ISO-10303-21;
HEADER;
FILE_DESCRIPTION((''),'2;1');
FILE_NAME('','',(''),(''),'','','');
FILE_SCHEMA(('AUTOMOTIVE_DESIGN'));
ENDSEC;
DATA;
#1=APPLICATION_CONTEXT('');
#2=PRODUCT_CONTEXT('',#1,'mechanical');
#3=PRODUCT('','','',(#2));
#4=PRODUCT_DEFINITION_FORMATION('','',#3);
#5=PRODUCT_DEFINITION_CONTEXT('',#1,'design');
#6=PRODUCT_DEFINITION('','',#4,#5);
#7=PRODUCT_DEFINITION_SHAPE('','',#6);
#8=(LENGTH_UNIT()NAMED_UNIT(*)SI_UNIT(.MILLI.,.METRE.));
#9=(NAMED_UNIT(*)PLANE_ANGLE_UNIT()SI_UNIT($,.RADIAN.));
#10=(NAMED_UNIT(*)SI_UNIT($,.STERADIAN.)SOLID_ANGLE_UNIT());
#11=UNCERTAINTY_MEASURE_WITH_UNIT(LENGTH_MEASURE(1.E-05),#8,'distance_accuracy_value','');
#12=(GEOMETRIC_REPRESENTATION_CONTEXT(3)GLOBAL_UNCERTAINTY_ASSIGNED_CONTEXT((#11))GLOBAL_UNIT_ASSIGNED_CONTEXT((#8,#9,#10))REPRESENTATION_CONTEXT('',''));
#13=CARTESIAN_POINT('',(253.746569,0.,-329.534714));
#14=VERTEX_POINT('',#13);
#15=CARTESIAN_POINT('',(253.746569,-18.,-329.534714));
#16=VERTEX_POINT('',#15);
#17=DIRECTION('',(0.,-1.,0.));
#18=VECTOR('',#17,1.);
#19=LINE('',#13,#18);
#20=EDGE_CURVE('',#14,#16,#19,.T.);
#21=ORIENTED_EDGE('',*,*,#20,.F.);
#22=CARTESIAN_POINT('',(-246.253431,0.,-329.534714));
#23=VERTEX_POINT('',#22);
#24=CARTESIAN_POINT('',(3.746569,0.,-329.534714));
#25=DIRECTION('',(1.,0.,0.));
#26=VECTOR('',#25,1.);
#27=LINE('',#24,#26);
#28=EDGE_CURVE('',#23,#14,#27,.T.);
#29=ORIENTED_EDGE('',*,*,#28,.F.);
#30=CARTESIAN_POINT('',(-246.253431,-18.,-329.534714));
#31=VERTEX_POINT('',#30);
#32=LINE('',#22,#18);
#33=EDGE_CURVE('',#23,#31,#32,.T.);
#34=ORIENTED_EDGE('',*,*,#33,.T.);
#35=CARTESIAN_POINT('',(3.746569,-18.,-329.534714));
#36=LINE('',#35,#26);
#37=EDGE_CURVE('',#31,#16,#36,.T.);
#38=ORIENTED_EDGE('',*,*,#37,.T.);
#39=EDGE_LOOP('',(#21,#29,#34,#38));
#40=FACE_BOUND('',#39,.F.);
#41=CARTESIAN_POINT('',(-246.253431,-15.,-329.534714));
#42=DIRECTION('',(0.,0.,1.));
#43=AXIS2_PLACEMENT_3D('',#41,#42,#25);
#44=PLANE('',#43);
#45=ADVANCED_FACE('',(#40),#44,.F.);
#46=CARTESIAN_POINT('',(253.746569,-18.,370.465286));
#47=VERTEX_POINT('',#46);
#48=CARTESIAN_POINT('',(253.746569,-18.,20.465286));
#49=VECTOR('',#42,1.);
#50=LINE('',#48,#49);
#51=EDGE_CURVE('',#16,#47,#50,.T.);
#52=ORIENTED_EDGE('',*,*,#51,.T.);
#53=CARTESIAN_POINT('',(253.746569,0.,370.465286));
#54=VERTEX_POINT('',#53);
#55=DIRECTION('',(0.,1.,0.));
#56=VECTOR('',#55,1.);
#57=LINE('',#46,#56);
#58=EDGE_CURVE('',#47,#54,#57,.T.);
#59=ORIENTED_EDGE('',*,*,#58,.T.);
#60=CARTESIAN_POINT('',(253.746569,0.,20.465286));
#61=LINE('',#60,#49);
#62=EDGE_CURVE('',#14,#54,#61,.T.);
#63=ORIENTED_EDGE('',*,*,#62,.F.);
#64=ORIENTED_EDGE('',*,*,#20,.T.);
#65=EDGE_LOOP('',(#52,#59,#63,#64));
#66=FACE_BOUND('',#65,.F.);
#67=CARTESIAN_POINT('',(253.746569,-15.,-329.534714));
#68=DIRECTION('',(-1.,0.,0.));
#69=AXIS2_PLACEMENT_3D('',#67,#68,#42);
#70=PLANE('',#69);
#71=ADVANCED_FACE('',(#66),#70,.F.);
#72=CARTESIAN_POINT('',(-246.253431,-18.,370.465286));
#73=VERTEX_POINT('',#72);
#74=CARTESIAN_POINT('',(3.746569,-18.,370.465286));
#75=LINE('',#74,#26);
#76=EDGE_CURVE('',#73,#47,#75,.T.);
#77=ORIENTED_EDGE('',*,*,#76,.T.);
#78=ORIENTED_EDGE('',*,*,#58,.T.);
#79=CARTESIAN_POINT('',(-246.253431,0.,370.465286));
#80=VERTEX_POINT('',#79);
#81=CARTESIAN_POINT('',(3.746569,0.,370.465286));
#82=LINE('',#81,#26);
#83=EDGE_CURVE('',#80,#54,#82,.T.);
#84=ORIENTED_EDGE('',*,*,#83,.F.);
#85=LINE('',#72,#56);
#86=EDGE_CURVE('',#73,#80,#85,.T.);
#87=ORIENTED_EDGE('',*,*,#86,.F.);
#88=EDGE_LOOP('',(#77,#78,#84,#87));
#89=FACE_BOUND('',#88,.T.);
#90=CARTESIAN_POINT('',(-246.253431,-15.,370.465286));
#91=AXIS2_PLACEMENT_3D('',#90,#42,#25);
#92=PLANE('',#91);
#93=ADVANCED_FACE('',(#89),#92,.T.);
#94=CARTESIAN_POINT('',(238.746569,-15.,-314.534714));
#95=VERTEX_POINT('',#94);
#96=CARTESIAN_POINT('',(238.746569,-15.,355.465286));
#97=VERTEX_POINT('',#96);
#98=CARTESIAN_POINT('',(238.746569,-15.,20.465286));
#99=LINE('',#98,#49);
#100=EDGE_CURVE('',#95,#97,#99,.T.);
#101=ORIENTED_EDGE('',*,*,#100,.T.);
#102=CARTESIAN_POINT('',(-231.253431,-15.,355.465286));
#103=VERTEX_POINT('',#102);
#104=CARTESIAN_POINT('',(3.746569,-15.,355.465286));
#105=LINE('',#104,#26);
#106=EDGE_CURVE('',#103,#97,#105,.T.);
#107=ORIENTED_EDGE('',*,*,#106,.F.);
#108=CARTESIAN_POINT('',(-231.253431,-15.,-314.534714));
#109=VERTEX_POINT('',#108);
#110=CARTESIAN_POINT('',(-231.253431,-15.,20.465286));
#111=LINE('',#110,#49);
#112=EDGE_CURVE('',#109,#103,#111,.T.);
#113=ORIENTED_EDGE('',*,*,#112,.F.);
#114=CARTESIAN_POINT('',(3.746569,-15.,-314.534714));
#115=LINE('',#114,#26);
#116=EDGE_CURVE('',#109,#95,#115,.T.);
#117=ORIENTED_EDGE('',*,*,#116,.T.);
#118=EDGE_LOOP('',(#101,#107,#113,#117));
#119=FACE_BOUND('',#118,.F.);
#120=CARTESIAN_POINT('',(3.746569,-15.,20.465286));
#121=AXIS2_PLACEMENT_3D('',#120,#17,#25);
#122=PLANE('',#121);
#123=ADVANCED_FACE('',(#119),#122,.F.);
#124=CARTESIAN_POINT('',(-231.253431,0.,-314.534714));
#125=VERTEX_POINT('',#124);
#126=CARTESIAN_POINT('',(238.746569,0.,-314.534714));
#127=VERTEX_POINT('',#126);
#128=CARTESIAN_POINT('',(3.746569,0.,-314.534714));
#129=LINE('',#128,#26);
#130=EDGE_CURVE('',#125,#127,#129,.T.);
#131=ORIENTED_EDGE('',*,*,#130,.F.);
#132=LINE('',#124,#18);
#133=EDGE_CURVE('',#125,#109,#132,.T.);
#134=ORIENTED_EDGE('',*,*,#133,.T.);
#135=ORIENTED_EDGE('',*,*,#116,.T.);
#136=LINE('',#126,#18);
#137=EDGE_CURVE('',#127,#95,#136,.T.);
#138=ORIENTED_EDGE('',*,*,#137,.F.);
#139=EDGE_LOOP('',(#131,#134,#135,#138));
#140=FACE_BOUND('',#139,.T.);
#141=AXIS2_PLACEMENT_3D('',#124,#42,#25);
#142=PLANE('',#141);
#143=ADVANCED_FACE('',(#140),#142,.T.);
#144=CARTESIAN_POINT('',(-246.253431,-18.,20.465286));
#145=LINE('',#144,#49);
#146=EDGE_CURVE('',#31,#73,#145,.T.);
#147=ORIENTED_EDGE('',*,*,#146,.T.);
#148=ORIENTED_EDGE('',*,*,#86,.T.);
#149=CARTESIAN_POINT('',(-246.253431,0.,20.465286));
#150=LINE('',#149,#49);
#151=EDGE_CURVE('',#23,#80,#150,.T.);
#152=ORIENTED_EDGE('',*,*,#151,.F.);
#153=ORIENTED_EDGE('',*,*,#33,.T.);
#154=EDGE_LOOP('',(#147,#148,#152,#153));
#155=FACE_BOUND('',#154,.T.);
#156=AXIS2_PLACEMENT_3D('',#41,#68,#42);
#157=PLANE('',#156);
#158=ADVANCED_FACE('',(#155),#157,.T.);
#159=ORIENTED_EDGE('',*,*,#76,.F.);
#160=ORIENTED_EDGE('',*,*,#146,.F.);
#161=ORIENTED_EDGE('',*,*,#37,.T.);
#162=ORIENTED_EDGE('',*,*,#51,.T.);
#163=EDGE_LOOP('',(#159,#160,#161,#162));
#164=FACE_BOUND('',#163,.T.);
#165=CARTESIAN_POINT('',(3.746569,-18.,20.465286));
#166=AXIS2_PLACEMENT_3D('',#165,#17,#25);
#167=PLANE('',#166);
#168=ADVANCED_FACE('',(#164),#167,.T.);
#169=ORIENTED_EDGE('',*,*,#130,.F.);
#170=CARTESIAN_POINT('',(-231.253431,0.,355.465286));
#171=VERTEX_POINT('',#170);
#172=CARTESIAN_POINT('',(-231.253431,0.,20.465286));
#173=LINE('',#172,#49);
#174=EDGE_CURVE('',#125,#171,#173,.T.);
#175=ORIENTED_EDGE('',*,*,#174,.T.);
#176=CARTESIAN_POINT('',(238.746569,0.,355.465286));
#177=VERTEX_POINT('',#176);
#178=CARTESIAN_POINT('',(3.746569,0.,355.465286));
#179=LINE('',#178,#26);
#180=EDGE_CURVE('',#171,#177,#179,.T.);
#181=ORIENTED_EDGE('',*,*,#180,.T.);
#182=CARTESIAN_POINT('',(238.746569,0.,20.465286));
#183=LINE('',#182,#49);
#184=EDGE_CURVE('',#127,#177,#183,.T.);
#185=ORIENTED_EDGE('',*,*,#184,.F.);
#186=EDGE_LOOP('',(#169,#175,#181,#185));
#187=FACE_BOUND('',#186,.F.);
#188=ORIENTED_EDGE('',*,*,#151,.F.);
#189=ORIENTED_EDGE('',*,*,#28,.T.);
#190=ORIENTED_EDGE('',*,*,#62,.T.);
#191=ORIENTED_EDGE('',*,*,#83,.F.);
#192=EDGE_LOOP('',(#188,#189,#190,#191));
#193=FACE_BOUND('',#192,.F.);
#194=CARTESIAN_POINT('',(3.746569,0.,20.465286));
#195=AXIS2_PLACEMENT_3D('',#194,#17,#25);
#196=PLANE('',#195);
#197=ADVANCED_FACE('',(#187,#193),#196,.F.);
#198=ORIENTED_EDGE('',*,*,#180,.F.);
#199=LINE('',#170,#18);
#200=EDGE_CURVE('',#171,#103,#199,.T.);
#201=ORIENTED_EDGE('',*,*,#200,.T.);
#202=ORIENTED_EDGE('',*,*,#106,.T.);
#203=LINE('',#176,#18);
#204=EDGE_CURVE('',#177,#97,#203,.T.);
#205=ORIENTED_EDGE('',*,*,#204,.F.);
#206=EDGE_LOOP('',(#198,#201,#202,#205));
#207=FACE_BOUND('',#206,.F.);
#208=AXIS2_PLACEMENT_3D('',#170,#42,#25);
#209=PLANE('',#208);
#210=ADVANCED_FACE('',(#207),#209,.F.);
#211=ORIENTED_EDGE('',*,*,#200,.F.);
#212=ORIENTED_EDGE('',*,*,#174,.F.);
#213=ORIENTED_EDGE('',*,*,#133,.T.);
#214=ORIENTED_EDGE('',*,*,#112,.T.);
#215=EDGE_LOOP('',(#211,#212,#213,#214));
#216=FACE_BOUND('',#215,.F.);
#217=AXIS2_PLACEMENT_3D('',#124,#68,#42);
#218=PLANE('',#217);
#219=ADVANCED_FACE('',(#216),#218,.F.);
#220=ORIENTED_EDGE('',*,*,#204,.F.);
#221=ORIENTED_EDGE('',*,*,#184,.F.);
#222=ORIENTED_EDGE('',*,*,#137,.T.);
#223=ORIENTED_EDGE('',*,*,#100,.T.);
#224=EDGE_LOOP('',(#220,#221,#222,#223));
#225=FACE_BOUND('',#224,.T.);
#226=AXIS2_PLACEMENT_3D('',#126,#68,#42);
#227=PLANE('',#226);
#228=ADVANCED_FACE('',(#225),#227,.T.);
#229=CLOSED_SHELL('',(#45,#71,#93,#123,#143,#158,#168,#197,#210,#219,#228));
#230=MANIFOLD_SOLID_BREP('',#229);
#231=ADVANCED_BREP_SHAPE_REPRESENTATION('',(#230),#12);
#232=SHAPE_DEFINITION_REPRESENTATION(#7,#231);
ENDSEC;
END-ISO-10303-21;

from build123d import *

# Parameters (mm, degrees)
F0_W     = 500
F0_H     = 700
F0_W_2   = 470
F0_H_2   = 670
F1_DEPTH = 15
F2_W     = 500
F2_H     = 700
F3_DEPTH = 3


with BuildPart() as f1:
    # F0 (on Front) → F1 (new body)
    with BuildSketch(Plane.XZ):
        with Locations((3.746569, 20.465286)):
            Rectangle(F0_W, F0_H)
        with Locations((3.746569, 20.465286)):
            Rectangle(F0_W_2, F0_H_2, mode=Mode.SUBTRACT)
    extrude(amount=F1_DEPTH)

    # F2 (on face) → F3 (join)
    with BuildSketch(Plane.XZ.offset(15)):
        with Locations((3.746569, 20.465286)):
            Rectangle(F2_W, F2_H)
    extrude(amount=F3_DEPTH)


solid = f1.part
